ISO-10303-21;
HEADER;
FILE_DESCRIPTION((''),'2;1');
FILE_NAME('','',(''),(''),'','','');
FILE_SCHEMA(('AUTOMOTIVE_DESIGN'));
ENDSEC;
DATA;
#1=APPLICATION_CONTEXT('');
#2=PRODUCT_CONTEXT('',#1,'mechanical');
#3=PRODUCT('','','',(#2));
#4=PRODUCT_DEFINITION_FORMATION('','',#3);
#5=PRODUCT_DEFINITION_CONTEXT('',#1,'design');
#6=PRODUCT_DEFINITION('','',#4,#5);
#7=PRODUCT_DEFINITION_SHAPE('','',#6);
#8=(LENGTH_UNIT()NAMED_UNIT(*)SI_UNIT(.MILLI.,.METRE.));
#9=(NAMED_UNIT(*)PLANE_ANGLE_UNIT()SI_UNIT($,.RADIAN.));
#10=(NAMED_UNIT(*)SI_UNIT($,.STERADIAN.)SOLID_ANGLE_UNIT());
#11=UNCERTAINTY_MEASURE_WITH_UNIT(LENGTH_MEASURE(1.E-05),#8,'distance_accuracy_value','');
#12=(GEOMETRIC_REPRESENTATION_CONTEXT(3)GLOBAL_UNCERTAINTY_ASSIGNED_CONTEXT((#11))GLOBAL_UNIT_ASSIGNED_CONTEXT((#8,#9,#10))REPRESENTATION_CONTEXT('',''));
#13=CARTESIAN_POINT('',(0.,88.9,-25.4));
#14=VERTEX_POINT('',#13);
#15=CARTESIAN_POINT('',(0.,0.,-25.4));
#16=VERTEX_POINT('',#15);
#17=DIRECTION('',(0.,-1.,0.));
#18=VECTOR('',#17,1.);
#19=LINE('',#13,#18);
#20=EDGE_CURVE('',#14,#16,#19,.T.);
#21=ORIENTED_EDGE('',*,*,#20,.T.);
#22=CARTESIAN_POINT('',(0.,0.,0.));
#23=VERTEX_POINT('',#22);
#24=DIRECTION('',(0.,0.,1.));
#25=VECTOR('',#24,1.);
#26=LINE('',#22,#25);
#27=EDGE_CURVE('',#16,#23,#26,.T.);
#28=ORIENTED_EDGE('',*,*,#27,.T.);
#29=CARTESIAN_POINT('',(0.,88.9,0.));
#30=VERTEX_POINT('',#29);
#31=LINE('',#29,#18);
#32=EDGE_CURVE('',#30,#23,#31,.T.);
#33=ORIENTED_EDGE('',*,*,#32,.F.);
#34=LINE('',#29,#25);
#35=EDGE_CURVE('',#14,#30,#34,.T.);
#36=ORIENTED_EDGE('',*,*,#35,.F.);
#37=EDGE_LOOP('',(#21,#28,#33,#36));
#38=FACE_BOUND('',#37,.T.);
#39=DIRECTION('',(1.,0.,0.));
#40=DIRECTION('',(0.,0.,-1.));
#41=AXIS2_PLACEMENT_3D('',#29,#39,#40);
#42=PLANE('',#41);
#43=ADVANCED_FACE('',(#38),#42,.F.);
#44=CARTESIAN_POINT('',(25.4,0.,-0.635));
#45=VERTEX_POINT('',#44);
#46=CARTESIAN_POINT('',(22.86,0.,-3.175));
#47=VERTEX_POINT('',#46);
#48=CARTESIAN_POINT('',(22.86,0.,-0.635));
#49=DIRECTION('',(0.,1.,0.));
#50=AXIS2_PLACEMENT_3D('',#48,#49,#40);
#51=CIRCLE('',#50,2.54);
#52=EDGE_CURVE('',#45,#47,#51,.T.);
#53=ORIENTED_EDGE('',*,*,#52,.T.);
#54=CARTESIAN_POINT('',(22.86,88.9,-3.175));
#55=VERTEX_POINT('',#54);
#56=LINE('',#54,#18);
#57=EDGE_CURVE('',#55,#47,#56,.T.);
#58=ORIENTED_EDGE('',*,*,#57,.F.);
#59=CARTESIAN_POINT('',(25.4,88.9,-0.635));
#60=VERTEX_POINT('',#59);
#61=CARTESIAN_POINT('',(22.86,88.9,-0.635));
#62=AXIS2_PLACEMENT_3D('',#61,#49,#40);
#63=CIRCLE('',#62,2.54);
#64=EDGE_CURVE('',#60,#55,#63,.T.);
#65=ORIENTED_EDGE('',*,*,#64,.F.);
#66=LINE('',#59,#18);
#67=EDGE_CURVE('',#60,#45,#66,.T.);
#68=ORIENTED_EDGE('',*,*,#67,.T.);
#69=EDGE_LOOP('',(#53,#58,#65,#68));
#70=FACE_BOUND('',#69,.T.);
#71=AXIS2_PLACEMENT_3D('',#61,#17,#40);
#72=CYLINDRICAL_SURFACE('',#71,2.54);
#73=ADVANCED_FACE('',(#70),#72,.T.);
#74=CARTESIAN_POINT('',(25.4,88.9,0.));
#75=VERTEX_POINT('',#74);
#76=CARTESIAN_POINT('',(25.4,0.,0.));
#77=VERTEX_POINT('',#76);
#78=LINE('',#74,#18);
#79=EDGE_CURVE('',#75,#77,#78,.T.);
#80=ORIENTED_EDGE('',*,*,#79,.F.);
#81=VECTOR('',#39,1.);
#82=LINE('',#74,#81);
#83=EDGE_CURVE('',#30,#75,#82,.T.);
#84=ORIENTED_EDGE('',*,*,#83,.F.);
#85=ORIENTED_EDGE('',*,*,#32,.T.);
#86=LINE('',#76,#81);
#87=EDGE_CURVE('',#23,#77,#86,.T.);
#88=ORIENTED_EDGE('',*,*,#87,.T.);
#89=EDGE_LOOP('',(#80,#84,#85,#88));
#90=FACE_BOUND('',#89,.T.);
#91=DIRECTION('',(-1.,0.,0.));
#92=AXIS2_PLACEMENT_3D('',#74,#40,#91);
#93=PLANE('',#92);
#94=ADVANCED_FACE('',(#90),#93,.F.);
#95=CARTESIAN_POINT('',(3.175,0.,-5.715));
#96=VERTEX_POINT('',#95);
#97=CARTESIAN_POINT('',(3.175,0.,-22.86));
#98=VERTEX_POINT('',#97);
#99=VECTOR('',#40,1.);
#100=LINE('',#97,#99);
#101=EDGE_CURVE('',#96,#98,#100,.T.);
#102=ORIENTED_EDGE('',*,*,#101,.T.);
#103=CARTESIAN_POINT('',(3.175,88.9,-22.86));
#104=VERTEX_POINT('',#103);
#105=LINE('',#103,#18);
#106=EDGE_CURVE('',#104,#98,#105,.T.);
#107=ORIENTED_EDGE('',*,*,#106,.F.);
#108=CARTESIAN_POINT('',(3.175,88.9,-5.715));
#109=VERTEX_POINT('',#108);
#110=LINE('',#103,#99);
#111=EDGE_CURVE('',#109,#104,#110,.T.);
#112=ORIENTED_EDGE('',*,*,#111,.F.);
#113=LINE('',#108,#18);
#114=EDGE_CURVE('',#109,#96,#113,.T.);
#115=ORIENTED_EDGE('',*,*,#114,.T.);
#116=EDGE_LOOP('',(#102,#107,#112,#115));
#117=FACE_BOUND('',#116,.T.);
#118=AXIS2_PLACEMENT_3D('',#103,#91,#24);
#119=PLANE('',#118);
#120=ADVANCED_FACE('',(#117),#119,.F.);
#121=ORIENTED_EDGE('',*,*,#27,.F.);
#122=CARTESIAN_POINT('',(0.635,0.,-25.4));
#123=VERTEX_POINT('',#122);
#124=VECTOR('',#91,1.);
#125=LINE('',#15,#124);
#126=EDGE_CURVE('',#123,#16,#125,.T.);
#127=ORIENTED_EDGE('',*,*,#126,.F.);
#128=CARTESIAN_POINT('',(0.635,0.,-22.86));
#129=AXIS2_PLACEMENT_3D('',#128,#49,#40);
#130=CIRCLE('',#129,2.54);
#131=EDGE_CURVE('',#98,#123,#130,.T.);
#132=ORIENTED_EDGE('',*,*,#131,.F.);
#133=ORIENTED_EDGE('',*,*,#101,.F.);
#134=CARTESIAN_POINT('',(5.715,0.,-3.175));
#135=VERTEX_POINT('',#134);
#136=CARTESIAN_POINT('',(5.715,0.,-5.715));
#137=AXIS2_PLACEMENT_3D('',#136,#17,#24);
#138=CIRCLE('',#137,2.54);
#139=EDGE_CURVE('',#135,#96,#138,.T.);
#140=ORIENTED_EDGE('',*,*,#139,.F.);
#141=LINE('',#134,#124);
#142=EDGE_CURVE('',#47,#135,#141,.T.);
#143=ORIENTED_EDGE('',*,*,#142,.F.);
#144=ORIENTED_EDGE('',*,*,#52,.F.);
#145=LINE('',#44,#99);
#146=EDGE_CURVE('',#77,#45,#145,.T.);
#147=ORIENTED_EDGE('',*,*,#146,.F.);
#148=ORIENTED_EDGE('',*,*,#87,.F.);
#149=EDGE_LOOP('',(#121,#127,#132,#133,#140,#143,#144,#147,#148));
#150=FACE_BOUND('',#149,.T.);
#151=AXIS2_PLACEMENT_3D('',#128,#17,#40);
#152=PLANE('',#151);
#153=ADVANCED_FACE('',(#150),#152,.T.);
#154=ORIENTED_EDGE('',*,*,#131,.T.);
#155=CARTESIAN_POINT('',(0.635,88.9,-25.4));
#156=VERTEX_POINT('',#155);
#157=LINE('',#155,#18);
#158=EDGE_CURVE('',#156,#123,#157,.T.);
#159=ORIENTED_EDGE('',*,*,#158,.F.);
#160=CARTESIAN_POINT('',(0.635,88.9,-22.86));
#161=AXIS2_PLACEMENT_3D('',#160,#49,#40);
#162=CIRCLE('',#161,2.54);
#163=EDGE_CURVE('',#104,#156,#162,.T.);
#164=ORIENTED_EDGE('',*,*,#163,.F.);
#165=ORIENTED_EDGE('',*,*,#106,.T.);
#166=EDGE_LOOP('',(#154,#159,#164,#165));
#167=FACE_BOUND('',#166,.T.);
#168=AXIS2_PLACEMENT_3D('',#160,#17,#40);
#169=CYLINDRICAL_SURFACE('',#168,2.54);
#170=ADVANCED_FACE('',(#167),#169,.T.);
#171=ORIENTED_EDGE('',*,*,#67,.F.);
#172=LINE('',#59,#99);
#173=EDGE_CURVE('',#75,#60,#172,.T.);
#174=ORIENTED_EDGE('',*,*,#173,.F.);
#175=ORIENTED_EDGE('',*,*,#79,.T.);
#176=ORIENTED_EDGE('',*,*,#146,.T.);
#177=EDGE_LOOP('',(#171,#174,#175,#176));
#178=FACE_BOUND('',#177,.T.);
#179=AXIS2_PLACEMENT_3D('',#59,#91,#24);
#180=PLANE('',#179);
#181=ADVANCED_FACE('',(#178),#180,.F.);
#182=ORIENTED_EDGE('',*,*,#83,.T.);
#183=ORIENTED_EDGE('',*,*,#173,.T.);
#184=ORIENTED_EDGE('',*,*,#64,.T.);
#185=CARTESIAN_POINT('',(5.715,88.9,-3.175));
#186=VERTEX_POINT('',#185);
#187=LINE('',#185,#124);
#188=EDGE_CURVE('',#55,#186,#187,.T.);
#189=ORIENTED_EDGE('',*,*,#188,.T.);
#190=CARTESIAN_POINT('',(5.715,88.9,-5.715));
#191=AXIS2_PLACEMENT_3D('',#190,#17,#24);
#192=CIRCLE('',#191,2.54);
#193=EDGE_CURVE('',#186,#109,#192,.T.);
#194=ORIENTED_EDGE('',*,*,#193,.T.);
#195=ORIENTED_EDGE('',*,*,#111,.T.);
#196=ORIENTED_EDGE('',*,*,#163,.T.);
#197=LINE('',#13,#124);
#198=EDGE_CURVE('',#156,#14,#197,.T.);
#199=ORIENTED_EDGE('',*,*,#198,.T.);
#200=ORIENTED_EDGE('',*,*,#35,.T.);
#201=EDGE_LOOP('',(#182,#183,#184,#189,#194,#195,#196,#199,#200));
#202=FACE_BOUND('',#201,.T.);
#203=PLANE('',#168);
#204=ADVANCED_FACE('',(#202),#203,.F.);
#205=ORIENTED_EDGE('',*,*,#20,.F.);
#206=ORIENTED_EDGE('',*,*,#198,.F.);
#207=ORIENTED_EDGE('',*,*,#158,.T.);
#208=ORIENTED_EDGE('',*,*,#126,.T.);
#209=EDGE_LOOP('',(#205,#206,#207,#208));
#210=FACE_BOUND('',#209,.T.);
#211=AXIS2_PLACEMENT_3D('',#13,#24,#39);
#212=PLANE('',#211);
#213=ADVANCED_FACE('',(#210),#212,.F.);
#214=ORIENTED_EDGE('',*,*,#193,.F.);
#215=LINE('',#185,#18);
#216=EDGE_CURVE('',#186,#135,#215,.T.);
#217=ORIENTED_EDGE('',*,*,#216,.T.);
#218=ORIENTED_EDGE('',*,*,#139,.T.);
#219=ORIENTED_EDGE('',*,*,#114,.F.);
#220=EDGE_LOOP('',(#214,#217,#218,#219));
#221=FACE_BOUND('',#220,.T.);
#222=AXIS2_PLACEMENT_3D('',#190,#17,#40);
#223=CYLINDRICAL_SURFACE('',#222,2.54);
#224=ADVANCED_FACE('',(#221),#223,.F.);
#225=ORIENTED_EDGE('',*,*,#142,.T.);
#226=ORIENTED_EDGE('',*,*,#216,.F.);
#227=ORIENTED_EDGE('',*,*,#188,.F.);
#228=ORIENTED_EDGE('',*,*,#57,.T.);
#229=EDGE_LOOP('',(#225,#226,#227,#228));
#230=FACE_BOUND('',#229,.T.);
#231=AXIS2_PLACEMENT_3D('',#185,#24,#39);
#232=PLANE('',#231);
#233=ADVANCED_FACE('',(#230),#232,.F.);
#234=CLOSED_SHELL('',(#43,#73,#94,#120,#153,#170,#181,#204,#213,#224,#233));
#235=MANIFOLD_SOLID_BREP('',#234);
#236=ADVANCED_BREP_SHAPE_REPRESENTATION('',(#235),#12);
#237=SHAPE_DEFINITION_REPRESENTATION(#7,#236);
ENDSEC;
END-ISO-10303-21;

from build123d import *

# Parameters (mm, degrees)
BOSS_EXTRUDE1_DEPTH = 88.9


with BuildPart() as part:
    # Sketch1 → Boss-Extrude1 (new body)
    with BuildSketch(Plane(origin=(0, 0, 0), x_dir=(1, 0, 0), z_dir=(0, 1, 0))):
        with BuildLine():
            Line((0, 0), (0, 25.4))
            Line((0, 25.4), (0.635, 25.4))
            ThreePointArc((0.635, 25.4), (2.431051224, 24.656051224), (3.175, 22.86))
            Line((3.175, 22.86), (3.175, 5.715))
            ThreePointArc((3.175, 5.715), (3.918948776, 3.918948776), (5.715, 3.175))
            Line((5.715, 3.175), (22.86, 3.175))
            ThreePointArc((22.86, 3.175), (24.656051224, 2.431051224), (25.4, 0.635))
            Line((25.4, 0.635), (25.4, 0))
            Line((25.4, 0), (0, 0))
        make_face()
    extrude(amount=BOSS_EXTRUDE1_DEPTH)


solid = part.part
